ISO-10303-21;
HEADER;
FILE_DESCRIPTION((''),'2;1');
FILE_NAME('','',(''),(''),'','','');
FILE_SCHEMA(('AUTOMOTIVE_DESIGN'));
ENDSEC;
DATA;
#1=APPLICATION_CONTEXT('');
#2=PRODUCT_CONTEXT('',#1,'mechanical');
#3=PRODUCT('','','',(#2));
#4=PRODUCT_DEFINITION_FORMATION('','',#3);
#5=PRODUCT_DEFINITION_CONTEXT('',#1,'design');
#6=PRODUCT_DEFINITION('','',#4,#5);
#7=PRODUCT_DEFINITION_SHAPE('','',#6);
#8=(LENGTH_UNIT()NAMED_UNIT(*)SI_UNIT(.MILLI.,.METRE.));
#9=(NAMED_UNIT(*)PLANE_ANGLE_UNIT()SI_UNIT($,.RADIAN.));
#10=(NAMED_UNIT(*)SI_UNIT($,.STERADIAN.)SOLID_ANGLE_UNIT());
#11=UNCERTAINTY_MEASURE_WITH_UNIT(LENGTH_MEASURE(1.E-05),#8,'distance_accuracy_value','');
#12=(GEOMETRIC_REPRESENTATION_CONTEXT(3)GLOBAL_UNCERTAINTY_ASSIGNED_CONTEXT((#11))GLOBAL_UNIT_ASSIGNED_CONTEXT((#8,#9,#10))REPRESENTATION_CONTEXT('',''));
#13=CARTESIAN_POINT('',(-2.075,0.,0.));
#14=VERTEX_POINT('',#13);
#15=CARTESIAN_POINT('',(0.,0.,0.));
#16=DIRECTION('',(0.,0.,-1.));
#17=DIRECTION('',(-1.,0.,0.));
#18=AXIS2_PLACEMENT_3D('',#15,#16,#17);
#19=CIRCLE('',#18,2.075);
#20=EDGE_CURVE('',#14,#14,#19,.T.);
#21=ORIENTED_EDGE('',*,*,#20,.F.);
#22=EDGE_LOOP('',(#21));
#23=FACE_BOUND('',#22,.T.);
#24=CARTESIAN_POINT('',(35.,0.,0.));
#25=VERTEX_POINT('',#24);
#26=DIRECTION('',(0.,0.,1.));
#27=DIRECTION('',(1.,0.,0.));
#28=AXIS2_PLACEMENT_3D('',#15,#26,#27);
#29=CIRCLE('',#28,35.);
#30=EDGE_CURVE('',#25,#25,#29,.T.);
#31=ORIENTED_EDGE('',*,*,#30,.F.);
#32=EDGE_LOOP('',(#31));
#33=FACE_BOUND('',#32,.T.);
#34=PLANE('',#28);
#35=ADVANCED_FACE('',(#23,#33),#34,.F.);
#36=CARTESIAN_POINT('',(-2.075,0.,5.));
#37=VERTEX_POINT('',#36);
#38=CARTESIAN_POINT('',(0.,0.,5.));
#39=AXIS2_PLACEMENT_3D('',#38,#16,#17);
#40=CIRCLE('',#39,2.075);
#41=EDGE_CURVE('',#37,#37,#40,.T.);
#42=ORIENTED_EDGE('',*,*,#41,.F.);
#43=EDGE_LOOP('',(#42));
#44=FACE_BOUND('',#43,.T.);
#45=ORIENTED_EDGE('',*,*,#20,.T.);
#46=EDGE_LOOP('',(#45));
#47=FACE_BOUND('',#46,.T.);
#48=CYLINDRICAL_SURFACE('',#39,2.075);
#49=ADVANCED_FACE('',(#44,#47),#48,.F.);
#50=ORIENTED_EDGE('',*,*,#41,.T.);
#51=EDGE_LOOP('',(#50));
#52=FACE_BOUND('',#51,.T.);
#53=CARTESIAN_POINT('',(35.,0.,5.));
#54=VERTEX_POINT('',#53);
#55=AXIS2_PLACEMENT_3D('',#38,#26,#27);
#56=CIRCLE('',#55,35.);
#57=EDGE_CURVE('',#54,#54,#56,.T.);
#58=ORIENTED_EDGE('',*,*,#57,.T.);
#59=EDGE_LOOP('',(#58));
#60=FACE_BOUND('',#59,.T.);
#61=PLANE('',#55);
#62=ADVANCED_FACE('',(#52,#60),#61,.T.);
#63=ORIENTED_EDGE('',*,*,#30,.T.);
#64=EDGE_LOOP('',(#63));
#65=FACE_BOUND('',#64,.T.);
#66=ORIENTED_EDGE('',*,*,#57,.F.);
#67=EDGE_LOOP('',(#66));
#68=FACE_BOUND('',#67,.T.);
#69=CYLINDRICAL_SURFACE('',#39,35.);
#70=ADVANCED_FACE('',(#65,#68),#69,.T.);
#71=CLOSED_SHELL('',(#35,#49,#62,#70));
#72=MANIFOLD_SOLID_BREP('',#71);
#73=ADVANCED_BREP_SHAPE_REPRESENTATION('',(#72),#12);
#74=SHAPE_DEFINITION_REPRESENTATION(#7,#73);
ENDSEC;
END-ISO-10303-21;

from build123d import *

# Parameters (mm, degrees)
CROQUIS1_R              = 35
SALIENTE_EXTRUIR1_DEPTH = 5
CROQUIS2_R              = 2.075
CORTAR_EXTRUIR1_DEPTH   = 50.749371855


with BuildPart() as part:
    # Croquis1 → Saliente-Extruir1 (new body)
    with BuildSketch(Plane.XY):
        Circle(CROQUIS1_R)
    extrude(amount=SALIENTE_EXTRUIR1_DEPTH)

    # Croquis2 → Cortar-Extruir1 (cut, through all)
    with BuildSketch(Plane(origin=(0, 0, 0), x_dir=(-1, 0, 0), z_dir=(0, 0, -1))):
        Circle(CROQUIS2_R)
    extrude(amount=-CORTAR_EXTRUIR1_DEPTH, mode=Mode.SUBTRACT)


solid = part.part
